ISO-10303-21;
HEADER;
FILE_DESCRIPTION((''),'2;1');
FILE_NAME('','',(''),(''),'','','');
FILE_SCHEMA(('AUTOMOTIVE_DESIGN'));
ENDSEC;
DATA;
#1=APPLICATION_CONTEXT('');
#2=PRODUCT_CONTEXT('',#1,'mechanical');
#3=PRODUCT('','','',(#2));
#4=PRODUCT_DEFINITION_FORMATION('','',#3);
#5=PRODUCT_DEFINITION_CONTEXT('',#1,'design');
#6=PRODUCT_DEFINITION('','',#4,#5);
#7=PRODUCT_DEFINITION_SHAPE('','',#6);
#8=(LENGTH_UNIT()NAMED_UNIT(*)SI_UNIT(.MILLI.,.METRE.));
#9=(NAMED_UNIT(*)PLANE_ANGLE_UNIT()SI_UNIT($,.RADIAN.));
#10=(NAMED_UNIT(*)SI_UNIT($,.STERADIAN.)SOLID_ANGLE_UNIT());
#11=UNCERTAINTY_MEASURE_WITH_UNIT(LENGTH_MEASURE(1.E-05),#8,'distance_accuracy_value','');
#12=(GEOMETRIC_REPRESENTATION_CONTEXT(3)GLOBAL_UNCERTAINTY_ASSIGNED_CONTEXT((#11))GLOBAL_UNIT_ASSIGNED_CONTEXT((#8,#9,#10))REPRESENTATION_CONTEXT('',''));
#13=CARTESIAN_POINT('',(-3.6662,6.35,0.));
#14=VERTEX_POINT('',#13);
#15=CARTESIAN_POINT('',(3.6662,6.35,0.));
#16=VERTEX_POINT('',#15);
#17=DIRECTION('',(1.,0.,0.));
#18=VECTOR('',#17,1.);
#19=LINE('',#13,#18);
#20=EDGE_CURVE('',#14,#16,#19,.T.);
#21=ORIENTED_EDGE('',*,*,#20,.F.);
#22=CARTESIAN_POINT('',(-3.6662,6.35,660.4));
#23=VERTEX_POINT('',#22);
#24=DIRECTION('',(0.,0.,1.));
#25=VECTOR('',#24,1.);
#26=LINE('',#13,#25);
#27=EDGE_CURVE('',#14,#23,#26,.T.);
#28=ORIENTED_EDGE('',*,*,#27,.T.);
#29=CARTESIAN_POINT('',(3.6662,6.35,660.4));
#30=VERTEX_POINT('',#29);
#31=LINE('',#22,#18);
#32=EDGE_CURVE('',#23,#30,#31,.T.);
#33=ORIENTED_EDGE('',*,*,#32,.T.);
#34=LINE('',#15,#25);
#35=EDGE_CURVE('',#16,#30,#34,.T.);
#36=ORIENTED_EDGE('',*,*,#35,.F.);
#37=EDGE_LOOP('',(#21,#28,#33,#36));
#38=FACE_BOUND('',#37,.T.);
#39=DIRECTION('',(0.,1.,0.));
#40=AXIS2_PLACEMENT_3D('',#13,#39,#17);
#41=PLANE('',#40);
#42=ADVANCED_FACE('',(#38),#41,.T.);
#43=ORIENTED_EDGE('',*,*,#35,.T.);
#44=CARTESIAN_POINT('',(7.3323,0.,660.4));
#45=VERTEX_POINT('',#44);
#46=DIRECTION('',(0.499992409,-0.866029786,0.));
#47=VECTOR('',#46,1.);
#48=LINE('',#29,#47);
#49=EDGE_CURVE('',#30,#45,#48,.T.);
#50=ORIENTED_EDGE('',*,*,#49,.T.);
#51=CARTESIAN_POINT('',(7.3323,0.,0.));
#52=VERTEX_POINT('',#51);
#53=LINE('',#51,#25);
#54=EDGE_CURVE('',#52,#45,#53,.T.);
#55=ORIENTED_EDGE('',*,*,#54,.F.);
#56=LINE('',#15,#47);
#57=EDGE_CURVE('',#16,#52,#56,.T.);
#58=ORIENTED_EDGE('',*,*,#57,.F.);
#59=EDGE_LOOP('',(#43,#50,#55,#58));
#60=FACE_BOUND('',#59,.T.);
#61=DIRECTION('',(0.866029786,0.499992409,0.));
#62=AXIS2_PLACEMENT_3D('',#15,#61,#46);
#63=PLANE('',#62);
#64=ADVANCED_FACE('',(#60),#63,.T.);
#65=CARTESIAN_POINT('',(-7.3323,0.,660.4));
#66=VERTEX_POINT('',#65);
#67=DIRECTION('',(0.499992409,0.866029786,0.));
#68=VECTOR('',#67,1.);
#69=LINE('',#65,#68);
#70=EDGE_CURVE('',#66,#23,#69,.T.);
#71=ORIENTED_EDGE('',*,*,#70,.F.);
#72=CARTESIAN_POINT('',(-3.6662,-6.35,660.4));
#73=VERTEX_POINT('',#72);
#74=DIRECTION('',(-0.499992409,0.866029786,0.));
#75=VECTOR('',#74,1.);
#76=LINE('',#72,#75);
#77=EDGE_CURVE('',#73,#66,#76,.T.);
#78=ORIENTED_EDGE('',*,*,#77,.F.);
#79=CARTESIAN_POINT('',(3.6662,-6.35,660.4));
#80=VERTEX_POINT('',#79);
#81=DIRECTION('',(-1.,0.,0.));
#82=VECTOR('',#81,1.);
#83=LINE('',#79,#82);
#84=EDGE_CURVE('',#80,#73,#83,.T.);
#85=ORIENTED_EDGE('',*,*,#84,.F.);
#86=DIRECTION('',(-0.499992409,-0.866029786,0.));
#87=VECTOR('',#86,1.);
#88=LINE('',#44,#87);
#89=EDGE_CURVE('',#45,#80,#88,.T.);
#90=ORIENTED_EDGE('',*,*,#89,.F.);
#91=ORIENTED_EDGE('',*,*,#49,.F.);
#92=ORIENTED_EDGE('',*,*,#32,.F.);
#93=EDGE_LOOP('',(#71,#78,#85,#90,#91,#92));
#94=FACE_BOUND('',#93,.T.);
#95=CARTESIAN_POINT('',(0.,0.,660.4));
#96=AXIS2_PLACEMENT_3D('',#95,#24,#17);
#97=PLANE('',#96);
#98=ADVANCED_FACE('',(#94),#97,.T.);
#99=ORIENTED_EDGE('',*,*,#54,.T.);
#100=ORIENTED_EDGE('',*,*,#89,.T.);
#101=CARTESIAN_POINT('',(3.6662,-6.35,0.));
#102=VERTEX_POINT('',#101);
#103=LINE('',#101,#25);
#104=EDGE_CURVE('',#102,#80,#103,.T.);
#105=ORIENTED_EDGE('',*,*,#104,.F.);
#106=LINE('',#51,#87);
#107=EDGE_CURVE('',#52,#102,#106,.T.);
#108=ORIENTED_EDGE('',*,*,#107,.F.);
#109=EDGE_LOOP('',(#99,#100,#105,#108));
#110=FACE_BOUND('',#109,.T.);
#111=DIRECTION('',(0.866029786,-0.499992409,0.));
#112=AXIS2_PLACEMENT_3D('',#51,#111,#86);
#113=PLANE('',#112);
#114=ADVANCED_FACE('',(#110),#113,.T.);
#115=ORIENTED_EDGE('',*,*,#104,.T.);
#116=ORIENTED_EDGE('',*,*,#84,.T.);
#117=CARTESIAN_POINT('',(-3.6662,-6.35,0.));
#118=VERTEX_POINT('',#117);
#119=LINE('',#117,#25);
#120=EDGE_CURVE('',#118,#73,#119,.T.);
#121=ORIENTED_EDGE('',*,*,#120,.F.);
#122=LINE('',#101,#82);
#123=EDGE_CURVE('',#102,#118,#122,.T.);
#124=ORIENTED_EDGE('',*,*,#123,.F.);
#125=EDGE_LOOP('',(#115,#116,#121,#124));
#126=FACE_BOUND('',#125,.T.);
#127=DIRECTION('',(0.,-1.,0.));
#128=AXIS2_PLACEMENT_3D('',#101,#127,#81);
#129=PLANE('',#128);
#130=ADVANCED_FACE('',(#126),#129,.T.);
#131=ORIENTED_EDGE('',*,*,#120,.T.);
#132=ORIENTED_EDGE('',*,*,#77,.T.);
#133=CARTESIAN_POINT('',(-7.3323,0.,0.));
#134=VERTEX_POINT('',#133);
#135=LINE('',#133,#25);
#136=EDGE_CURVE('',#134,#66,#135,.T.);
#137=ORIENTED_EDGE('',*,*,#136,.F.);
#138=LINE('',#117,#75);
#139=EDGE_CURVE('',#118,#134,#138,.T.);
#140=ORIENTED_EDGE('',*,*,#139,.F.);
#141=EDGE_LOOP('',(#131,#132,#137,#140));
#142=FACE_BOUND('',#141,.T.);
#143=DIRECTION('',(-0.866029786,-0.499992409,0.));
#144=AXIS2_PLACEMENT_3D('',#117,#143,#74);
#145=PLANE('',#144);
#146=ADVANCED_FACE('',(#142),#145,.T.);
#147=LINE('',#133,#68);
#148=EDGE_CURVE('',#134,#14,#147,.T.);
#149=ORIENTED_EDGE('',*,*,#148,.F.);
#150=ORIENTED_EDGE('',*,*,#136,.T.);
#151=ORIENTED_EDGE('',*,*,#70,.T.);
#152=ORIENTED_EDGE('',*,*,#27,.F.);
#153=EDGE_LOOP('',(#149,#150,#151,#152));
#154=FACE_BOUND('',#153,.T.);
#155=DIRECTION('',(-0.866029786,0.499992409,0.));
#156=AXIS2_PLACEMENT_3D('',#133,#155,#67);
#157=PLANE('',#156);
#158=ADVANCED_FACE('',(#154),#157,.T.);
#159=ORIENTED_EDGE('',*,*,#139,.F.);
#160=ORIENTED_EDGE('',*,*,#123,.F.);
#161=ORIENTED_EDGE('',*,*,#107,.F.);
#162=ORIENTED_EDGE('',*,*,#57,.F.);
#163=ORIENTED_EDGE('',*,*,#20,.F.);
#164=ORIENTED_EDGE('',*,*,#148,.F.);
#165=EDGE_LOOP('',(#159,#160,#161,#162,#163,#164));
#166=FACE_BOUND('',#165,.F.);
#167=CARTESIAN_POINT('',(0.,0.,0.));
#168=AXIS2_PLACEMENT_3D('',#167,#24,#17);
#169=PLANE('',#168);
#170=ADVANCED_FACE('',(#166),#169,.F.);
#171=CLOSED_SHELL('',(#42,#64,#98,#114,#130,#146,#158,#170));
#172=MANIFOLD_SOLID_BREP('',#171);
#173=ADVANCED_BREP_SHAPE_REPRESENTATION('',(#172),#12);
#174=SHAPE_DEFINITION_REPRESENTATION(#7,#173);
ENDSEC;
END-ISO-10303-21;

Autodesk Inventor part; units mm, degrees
ref_plane "YZ Plane" through (0, 0, 0) normal (1, 0, 0) x (0, 1, 0)
ref_plane "XZ Plane" through (0, 0, 0) normal (0, 1, 0) x (-1, 0, 0)
ref_plane "XY Plane" through (0, 0, 0) normal (0, 0, 1) x (1, 0, 0)
sketch "Sketch1" plane through (0, 0, 0) normal (0, 0, 1) x (1, 0, 0)
  line L0 (3.6662, 6.35) -> (7.3323, 0)
  line L1 (7.3323, 0) -> (3.6662, -6.35)
  line L2 (3.6662, -6.35) -> (-3.6662, -6.35)
  line L3 (-3.6662, -6.35) -> (-7.3323, 0)
  line L4 (-7.3323, 0) -> (-3.6662, 6.35)
  line L5 (-3.6662, 6.35) -> (3.6662, 6.35)
  point P0 (0, 0)
  point P1 (0, 0)
  dimension "d0" = 12.7
extrude "Extrusion1" add sketch "Sketch1" along normal blind 660.4
properties part number "hex rod 26 inch" material "Steel, Alloy"
